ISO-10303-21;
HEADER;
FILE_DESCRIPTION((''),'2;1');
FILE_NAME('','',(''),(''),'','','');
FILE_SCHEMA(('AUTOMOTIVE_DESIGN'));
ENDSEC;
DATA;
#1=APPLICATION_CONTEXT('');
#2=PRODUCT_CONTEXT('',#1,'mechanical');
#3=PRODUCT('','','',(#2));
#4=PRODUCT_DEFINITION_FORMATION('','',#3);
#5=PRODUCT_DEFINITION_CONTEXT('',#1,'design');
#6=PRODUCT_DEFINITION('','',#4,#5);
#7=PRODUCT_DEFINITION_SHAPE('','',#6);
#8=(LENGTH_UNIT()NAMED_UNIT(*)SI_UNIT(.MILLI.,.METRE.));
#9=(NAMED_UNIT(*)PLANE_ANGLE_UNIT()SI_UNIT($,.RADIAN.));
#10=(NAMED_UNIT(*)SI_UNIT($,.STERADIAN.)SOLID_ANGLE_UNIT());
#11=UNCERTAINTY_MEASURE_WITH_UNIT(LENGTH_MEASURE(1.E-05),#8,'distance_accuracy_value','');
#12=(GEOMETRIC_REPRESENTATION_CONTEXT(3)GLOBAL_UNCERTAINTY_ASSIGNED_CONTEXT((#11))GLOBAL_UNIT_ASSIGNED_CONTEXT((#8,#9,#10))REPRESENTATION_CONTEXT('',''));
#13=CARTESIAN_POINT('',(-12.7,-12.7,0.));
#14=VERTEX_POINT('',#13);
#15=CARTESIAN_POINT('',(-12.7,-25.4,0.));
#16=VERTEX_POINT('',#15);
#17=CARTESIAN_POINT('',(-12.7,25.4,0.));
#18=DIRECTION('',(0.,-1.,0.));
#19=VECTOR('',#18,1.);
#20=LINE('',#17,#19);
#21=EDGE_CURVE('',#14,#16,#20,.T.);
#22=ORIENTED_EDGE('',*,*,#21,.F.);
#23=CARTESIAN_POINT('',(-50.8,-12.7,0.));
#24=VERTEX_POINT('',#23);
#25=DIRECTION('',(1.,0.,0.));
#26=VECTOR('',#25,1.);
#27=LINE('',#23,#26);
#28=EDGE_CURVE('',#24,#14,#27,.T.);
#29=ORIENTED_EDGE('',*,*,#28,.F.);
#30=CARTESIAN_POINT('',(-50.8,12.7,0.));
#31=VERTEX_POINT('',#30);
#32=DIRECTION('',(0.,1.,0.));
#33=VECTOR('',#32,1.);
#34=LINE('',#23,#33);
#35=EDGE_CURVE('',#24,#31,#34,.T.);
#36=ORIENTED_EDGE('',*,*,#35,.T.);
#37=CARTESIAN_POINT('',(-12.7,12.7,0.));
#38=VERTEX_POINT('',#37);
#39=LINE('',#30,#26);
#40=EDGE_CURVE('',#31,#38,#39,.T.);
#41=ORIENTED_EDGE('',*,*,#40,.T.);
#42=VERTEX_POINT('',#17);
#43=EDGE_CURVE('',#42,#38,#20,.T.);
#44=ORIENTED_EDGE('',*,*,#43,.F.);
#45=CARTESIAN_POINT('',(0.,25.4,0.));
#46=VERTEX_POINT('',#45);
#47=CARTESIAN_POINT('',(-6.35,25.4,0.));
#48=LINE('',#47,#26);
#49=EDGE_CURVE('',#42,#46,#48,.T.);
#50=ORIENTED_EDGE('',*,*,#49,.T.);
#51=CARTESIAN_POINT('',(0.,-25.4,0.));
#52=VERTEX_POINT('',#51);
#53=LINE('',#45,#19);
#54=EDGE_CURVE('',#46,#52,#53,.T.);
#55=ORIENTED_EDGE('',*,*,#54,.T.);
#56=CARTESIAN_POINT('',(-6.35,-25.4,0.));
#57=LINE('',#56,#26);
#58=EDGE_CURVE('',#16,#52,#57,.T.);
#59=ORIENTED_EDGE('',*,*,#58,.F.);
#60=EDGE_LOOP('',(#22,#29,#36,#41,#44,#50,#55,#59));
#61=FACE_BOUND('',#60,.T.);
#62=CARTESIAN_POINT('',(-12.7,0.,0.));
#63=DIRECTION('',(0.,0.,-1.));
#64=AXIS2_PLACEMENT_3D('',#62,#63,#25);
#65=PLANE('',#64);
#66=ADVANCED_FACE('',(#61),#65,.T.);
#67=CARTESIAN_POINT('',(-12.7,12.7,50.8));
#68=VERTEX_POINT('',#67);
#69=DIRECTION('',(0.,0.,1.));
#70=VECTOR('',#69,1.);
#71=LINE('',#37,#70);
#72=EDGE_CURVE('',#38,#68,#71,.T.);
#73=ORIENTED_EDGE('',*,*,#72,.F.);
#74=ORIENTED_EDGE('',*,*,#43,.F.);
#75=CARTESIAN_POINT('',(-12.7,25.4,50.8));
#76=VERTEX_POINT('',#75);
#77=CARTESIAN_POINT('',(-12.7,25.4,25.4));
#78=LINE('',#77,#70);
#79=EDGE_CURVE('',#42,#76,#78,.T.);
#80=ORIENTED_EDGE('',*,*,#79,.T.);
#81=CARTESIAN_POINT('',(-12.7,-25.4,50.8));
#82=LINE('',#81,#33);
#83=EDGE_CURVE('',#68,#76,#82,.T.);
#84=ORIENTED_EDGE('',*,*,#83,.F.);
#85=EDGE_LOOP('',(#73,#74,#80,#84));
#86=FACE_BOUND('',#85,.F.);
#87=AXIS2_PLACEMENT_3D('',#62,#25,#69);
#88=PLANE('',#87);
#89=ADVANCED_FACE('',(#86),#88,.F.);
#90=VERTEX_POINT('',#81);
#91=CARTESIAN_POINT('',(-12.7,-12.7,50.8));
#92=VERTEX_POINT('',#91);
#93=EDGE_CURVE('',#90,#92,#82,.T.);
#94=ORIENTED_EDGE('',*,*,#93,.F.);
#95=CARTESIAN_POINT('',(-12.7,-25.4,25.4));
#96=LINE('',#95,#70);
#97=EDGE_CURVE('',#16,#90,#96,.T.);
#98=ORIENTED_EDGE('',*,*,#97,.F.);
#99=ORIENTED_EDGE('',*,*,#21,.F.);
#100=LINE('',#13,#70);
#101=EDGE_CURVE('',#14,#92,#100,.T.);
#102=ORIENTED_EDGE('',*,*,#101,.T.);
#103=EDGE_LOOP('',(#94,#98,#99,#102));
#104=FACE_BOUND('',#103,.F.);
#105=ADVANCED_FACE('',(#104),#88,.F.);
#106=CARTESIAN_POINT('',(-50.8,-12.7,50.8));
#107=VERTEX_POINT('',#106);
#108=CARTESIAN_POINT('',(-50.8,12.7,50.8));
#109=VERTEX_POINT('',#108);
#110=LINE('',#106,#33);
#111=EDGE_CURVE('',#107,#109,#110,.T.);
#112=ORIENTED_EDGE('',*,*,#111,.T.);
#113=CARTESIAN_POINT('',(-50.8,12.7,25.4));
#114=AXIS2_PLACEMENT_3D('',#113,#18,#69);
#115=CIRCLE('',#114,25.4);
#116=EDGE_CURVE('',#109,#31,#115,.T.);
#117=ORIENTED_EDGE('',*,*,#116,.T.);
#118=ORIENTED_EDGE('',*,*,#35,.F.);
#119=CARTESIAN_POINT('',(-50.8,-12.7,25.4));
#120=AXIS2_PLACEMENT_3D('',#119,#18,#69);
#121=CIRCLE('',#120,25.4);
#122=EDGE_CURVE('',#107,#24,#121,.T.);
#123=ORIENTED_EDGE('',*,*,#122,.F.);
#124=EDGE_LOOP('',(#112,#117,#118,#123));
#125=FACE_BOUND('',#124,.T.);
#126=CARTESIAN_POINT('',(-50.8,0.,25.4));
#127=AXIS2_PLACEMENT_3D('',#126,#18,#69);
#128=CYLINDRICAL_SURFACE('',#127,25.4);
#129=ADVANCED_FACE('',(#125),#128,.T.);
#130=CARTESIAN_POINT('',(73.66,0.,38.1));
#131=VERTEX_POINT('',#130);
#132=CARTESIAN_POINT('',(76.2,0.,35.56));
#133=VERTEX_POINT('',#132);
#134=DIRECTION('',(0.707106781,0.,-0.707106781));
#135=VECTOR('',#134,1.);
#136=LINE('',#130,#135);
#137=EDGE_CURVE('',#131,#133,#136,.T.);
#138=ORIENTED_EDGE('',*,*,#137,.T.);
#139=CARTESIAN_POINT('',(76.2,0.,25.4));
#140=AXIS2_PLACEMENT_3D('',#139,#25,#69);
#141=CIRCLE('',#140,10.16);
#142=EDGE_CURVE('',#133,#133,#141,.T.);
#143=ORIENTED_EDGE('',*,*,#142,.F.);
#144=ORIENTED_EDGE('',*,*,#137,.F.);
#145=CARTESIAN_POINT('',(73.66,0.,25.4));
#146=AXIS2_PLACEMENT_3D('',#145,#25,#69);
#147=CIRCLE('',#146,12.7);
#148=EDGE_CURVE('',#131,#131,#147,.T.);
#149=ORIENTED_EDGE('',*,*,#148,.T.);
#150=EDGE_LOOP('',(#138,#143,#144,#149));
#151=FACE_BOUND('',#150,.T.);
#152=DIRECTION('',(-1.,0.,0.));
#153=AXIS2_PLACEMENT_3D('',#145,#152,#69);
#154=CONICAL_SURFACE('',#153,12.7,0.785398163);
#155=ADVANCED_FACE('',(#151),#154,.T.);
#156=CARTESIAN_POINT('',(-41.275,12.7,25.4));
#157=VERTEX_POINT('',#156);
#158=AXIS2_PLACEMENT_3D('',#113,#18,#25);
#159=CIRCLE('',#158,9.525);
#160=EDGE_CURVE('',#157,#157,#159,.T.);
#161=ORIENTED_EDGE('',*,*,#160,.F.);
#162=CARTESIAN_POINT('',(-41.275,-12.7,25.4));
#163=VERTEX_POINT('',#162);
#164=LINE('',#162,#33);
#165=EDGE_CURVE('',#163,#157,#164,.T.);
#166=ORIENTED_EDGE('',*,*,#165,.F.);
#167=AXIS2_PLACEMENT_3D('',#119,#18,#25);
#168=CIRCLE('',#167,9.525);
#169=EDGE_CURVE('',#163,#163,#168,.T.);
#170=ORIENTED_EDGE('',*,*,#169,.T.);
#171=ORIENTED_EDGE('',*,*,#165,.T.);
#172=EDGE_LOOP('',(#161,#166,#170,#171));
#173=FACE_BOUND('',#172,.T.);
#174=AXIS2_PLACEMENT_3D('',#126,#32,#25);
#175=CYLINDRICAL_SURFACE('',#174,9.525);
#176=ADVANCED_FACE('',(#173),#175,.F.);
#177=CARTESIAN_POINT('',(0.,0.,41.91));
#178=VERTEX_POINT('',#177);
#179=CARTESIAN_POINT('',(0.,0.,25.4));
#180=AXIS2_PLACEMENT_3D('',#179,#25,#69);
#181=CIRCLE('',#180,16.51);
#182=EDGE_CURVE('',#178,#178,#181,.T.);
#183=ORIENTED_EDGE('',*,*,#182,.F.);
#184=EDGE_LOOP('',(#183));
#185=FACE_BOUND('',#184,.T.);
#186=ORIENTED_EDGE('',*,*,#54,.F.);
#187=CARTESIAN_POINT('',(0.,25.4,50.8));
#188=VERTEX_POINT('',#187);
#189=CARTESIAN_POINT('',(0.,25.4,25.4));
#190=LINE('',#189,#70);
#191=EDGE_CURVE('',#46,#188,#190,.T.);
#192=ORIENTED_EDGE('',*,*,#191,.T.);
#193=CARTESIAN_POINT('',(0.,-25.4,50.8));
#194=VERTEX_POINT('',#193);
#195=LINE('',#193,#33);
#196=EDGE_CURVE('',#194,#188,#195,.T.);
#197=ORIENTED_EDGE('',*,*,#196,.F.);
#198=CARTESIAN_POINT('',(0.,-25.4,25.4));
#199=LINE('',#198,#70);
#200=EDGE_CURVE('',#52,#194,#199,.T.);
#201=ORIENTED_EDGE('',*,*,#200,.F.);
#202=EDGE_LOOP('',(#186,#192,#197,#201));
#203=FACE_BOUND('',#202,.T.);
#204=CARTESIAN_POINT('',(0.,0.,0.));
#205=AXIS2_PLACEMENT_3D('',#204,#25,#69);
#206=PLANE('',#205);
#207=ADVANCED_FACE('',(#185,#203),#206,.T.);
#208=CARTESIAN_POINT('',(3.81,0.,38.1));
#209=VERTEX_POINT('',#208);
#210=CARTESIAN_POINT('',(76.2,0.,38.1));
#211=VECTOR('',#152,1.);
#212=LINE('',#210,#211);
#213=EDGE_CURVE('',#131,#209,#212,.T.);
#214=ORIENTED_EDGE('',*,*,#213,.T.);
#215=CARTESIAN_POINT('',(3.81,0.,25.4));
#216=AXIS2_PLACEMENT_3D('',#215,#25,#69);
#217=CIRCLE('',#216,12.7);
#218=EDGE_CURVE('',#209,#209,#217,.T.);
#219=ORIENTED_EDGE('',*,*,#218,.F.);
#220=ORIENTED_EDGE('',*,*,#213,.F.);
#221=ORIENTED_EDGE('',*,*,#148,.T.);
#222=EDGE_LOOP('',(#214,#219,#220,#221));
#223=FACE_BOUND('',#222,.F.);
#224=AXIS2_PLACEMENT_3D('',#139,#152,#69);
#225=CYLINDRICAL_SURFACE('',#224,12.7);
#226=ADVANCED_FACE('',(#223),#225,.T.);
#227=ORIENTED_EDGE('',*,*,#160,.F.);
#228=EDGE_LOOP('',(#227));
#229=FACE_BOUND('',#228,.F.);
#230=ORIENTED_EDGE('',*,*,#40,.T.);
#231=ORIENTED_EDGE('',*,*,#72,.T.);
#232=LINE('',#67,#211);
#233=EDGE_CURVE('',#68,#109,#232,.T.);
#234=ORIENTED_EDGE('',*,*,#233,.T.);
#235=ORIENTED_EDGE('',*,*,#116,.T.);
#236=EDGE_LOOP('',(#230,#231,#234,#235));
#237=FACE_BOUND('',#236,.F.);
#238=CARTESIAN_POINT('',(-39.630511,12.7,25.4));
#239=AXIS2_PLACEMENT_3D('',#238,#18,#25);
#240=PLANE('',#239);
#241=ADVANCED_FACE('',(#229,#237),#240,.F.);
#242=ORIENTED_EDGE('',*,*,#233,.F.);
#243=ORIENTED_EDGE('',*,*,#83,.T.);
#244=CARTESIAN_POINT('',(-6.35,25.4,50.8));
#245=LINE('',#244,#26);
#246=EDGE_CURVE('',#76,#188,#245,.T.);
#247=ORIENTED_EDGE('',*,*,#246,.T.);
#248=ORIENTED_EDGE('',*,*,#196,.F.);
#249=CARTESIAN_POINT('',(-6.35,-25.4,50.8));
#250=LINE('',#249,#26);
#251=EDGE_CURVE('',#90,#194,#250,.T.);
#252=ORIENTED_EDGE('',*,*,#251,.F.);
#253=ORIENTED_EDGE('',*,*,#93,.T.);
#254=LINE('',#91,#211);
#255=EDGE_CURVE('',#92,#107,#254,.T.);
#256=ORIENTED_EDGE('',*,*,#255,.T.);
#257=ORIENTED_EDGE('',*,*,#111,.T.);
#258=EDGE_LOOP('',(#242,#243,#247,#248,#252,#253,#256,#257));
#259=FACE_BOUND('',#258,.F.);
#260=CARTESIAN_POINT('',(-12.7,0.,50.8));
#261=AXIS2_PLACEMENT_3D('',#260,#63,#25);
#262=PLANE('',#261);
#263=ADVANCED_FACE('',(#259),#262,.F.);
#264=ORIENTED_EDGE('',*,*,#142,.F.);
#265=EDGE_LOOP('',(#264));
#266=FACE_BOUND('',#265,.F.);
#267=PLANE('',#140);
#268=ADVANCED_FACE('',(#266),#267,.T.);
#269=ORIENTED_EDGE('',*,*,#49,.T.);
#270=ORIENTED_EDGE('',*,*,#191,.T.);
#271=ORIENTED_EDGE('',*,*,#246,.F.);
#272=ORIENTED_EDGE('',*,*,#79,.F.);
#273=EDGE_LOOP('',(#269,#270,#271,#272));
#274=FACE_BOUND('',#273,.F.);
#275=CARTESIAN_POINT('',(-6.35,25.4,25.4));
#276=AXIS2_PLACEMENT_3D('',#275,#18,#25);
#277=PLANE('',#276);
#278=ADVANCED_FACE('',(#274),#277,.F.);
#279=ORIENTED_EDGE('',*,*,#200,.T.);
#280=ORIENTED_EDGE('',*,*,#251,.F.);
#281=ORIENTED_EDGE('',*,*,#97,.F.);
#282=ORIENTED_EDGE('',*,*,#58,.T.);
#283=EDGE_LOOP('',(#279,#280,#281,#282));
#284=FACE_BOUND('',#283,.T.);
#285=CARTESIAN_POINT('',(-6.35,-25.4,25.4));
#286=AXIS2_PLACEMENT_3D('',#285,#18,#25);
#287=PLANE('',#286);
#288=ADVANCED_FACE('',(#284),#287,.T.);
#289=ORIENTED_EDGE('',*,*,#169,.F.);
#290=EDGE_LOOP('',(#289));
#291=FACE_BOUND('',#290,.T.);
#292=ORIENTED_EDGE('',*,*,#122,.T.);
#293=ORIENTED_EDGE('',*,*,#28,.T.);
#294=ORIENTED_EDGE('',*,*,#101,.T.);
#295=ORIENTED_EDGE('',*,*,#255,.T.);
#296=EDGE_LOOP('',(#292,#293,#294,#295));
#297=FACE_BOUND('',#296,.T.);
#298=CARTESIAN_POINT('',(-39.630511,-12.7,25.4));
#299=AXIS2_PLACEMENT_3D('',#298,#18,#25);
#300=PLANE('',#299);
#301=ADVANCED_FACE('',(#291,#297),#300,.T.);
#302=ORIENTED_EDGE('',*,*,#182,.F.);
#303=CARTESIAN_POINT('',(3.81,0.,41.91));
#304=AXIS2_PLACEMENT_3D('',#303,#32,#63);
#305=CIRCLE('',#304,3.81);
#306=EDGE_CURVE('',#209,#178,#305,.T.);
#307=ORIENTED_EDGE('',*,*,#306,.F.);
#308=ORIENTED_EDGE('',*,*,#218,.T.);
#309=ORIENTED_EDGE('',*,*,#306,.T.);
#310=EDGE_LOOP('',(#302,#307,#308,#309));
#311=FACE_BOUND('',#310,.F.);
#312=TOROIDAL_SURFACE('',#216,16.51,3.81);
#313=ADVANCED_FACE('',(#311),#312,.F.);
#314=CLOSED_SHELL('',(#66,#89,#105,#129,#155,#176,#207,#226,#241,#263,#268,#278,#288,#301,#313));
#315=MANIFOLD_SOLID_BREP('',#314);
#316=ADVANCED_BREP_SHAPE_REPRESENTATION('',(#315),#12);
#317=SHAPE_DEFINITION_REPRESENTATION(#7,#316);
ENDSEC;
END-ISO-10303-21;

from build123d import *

# Parameters (mm, degrees)
F0_R     = 9.525
F1_DEPTH = 12.7
F0_W     = 12.7
F0_H     = 50.8
F2_DEPTH = 25.4
F6_SIZE2 = 2.54
F6_SIZE  = 2.54


with BuildPart() as f1:
    # F0 (on Front) → F1 (new body, symmetric)
    with BuildSketch(Plane.XZ):
        with BuildLine():
            Line((-50.8, 0), (-12.7, 0))
            Line((-12.7, 0), (-12.7, 50.8))
            Line((-12.7, 50.8), (-50.8, 50.8))
            ThreePointArc((-50.8, 50.8), (-76.2, 25.4), (-50.8, 0))
        make_face()
        with Locations((-50.8, 25.4)):
            Circle(F0_R, mode=Mode.SUBTRACT)
    extrude(amount=F1_DEPTH, both=True)

    # F0 (on Front) → F2 (join, symmetric)
    with BuildSketch(Plane.XZ):
        with Locations((-6.35, 25.4)):
            Rectangle(F0_W, F0_H)
    extrude(amount=F2_DEPTH, both=True)

    # F4 (on Front) → F5 (revolve)
    with BuildSketch(Plane.XZ):
        with BuildLine():
            Line((0, 41.91), (0, 25.4))
            Line((0, 25.4), (76.2, 25.4))
            Line((76.2, 25.4), (76.2, 38.1))
            Line((76.2, 38.1), (3.81, 38.1))
            ThreePointArc((3.81, 38.1), (1.1159231637, 39.2159231637), (0, 41.91))
        make_face()
    revolve(axis=Axis((44.0839976072, 0, 25.4), (1, 0, 0)))

    # F6
    f6_edges = [f1.edges().sort_by_distance(p)[0] for p in [
        (76.2, 0, 12.7),
    ]]
    chamfer(f6_edges, length=F6_SIZE, length2=F6_SIZE2)


solid = f1.part
